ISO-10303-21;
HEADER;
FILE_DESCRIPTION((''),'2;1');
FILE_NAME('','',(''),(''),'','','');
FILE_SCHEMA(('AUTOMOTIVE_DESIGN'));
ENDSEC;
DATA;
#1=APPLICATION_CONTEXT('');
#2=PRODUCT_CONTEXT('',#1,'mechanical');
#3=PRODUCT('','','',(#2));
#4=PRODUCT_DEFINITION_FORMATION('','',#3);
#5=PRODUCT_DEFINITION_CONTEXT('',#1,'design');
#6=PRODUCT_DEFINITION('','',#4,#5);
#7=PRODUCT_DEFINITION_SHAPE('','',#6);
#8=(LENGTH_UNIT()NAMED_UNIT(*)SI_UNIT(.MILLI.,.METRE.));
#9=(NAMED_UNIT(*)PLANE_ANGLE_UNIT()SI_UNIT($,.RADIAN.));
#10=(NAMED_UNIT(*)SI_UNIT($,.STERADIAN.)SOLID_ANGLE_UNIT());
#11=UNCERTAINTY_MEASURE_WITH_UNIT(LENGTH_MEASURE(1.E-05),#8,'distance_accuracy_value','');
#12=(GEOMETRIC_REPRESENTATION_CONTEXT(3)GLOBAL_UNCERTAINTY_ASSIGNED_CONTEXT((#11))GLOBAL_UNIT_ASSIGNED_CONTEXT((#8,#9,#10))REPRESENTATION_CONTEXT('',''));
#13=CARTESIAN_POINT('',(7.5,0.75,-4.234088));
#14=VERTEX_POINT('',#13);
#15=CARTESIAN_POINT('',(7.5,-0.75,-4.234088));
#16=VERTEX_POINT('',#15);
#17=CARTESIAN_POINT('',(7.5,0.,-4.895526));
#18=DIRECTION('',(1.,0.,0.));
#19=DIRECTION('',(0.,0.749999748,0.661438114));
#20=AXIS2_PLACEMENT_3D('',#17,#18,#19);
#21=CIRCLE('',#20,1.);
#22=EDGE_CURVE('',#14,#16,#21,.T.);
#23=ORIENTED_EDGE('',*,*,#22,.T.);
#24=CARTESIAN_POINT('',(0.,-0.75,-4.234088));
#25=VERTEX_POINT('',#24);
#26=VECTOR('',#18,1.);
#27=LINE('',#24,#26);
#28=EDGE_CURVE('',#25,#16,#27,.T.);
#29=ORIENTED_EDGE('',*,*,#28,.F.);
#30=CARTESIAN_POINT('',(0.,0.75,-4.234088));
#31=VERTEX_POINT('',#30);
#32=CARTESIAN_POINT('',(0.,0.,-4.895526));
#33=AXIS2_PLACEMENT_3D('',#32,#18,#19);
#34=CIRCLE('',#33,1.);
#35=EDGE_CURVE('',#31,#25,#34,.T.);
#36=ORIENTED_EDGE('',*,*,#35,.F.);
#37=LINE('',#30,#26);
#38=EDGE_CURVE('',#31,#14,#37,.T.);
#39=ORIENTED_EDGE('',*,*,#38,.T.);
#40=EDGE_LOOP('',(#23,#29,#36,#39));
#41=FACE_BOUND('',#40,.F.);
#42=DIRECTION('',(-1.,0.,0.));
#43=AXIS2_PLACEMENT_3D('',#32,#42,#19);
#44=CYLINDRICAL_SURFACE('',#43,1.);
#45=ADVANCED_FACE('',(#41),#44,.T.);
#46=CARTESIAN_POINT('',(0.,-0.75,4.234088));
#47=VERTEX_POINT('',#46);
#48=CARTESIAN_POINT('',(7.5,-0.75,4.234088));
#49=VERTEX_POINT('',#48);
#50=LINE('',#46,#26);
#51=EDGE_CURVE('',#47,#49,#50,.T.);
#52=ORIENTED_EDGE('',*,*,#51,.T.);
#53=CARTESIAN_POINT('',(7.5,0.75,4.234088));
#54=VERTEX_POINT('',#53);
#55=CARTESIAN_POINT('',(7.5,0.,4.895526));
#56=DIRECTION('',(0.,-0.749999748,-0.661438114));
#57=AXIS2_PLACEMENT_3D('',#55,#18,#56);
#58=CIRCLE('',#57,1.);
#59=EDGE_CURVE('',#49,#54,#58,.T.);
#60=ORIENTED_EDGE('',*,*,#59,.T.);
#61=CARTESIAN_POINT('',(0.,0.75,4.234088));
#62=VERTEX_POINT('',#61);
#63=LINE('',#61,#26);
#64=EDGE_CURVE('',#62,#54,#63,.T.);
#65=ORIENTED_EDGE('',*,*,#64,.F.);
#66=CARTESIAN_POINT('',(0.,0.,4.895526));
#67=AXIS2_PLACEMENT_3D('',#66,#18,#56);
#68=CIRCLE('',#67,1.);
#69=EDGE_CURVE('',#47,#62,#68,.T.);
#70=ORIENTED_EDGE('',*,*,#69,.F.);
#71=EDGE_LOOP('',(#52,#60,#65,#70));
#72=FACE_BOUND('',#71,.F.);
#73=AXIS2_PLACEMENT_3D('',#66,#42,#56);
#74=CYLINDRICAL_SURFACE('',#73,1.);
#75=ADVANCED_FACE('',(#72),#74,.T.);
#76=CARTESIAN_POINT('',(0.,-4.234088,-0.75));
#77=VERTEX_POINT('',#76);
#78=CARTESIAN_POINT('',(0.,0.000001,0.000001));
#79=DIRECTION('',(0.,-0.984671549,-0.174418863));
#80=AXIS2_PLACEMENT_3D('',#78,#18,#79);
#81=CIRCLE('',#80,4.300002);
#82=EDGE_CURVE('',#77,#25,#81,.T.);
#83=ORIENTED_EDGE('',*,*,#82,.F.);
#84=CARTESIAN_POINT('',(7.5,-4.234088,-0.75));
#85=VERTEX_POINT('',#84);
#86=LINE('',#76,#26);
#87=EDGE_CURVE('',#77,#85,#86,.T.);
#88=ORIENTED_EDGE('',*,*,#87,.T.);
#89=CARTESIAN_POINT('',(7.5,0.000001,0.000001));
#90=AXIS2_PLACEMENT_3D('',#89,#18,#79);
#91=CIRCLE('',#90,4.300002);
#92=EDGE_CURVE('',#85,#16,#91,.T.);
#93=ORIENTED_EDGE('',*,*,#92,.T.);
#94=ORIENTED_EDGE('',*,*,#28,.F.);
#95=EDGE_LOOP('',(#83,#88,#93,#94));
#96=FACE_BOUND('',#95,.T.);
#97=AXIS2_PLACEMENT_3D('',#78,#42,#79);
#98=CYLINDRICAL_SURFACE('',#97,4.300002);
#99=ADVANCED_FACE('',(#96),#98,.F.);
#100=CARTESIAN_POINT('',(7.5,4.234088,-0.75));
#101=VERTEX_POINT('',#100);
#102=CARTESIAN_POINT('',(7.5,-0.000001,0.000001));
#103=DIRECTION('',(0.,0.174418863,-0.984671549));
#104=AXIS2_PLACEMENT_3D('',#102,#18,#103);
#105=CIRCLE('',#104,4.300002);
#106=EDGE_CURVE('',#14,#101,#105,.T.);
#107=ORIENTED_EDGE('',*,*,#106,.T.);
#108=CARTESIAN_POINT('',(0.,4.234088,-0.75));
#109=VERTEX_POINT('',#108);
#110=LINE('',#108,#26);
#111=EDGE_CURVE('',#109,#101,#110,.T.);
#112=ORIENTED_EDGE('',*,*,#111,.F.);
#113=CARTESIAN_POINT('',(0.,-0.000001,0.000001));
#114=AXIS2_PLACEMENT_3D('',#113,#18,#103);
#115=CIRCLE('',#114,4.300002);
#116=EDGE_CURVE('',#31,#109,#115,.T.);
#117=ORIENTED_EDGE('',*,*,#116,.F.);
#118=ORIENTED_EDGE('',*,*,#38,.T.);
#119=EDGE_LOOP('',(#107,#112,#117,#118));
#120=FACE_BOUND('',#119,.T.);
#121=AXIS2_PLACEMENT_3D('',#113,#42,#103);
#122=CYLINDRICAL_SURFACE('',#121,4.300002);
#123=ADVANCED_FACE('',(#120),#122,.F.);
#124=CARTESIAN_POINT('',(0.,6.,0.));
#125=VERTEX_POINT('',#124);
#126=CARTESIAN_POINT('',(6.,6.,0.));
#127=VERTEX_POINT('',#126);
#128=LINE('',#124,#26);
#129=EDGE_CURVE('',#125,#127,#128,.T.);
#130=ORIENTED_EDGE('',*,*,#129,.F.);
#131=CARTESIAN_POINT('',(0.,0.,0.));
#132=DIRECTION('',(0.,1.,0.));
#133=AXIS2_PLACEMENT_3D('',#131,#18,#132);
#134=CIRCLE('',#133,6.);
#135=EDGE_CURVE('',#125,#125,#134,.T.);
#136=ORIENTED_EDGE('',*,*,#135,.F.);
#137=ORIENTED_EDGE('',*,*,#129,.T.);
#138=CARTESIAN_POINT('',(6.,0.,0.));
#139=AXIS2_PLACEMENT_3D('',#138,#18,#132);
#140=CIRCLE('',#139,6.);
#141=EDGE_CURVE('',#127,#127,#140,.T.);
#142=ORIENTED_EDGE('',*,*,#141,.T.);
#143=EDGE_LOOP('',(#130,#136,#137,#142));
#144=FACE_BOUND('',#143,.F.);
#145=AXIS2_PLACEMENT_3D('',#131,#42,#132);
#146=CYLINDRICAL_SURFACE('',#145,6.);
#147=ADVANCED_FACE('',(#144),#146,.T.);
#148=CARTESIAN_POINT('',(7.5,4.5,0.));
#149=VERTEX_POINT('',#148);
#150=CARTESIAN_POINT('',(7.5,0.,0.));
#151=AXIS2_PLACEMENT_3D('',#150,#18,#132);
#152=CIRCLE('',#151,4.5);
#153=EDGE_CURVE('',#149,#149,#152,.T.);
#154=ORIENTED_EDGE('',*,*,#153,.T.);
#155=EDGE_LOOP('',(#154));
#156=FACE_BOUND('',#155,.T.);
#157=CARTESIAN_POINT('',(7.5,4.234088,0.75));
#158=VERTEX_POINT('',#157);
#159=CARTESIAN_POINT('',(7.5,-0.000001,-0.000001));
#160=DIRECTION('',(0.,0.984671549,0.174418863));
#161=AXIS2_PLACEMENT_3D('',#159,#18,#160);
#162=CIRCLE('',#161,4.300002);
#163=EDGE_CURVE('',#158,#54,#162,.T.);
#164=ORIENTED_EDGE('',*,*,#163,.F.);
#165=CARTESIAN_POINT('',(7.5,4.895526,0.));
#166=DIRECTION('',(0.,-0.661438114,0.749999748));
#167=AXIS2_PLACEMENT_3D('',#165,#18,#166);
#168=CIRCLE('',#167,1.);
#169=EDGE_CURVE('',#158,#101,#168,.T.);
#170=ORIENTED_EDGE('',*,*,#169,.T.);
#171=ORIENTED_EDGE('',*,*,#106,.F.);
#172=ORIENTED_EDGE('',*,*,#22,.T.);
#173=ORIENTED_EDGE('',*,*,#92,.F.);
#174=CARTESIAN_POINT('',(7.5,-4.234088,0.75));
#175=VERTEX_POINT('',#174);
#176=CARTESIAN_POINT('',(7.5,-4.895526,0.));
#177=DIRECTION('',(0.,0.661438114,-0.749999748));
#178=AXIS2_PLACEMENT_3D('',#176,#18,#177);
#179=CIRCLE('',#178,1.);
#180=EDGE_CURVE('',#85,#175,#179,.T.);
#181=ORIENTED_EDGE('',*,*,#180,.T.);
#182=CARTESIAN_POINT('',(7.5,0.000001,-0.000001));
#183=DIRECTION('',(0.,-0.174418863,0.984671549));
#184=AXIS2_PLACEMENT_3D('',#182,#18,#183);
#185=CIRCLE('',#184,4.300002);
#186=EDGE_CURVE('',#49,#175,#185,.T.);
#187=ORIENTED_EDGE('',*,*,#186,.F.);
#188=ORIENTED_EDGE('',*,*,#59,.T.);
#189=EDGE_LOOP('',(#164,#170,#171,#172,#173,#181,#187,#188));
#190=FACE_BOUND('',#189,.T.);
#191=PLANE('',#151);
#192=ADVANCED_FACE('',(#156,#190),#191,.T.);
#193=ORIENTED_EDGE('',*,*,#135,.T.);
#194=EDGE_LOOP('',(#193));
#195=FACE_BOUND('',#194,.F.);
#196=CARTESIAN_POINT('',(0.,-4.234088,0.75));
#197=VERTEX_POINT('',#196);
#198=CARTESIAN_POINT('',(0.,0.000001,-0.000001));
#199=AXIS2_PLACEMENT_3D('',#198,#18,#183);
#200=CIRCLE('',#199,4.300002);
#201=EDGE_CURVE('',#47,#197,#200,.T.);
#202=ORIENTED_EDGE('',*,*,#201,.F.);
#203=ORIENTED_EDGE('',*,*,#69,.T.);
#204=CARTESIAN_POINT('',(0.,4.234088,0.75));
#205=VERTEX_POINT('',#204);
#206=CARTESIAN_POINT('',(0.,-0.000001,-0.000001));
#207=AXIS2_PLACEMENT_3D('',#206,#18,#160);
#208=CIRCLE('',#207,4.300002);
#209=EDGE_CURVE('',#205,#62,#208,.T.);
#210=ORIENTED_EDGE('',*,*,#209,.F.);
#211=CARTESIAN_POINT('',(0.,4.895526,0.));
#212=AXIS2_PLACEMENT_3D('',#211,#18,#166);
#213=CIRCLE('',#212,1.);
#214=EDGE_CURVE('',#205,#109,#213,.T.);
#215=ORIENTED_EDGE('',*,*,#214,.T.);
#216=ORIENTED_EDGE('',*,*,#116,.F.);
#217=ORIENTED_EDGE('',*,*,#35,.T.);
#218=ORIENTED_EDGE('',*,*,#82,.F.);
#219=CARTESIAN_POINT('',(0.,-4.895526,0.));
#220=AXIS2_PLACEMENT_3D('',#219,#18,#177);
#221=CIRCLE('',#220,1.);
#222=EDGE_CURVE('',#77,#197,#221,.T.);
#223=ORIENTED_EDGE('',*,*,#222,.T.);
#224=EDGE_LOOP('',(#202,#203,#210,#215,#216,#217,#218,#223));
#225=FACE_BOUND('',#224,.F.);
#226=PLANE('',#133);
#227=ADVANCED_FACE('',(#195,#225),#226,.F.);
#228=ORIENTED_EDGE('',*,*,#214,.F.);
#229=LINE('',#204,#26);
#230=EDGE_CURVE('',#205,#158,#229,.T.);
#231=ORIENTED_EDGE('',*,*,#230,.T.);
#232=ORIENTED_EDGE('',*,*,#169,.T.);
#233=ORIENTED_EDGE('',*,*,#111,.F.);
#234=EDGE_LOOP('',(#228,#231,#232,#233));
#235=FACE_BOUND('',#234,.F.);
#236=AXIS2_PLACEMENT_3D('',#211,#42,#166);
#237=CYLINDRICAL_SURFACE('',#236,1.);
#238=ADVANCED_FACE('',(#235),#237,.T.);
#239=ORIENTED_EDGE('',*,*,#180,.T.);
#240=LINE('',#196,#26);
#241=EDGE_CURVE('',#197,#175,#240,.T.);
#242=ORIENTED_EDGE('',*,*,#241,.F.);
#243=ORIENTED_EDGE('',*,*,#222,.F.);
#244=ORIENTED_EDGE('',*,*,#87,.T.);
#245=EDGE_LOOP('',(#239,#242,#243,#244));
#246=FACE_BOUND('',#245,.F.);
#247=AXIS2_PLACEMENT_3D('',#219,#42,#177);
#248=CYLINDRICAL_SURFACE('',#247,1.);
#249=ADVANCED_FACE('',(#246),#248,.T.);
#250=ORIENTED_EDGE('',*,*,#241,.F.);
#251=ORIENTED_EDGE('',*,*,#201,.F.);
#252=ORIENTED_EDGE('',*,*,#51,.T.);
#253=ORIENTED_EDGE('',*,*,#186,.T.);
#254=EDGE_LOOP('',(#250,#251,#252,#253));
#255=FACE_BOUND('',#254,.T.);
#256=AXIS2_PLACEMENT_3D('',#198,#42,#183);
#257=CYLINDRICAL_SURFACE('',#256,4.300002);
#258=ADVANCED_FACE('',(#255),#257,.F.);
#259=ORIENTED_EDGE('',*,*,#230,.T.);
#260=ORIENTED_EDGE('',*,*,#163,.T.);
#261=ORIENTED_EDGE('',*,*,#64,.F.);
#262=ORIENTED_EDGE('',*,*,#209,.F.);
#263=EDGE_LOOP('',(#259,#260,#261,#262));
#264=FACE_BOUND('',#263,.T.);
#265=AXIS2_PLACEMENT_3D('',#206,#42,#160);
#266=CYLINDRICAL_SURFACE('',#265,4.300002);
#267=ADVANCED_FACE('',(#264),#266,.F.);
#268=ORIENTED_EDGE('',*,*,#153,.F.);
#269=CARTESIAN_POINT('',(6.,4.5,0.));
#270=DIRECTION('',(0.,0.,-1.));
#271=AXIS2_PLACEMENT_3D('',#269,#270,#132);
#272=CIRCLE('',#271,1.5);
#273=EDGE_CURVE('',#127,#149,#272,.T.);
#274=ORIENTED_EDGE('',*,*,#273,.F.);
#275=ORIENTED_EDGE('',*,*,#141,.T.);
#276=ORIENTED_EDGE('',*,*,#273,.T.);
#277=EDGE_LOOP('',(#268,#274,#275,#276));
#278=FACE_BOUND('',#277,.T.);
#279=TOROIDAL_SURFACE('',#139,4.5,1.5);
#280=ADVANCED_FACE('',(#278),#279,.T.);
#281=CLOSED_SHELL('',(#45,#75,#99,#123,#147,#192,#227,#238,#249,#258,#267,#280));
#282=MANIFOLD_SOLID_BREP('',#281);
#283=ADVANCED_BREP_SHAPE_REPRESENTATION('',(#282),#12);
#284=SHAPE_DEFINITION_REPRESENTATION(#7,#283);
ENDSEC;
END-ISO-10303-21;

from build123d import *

# Parameters (mm, degrees)
SKETCH_R  = 6
PAD_DEPTH = 7.5
FILLET_R  = 1.5


with BuildPart() as part:
    # Sketch → Pad (new body)
    with BuildSketch(Plane.YZ):
        Circle(SKETCH_R)
        with BuildLine():
            ThreePointArc((-0.75, 4.234088), (0, 3.895526), (0.75, 4.234088))
            ThreePointArc((4.234088, 0.75), (3.040559, 3.040559), (0.75, 4.234088))
            ThreePointArc((4.234088, 0.75), (3.895526, 0), (4.234088, -0.75))
            ThreePointArc((0.75, -4.234088), (3.040559, -3.040559), (4.234088, -0.75))
            ThreePointArc((0.75, -4.234088), (0, -3.895526), (-0.75, -4.234088))
            ThreePointArc((-4.234088, -0.75), (-3.040559, -3.040559), (-0.75, -4.234088))
            ThreePointArc((-4.234088, -0.75), (-3.895526, 0), (-4.234088, 0.75))
            ThreePointArc((-0.75, 4.234088), (-3.040559, 3.040559), (-4.234088, 0.75))
        make_face(mode=Mode.SUBTRACT)
    extrude(amount=PAD_DEPTH)

    # Fillet
    fillet_edges = [part.edges().sort_by_distance(p)[0] for p in [
        (7.5, -6, 0),
    ]]
    fillet(fillet_edges, radius=FILLET_R)


solid = part.part
